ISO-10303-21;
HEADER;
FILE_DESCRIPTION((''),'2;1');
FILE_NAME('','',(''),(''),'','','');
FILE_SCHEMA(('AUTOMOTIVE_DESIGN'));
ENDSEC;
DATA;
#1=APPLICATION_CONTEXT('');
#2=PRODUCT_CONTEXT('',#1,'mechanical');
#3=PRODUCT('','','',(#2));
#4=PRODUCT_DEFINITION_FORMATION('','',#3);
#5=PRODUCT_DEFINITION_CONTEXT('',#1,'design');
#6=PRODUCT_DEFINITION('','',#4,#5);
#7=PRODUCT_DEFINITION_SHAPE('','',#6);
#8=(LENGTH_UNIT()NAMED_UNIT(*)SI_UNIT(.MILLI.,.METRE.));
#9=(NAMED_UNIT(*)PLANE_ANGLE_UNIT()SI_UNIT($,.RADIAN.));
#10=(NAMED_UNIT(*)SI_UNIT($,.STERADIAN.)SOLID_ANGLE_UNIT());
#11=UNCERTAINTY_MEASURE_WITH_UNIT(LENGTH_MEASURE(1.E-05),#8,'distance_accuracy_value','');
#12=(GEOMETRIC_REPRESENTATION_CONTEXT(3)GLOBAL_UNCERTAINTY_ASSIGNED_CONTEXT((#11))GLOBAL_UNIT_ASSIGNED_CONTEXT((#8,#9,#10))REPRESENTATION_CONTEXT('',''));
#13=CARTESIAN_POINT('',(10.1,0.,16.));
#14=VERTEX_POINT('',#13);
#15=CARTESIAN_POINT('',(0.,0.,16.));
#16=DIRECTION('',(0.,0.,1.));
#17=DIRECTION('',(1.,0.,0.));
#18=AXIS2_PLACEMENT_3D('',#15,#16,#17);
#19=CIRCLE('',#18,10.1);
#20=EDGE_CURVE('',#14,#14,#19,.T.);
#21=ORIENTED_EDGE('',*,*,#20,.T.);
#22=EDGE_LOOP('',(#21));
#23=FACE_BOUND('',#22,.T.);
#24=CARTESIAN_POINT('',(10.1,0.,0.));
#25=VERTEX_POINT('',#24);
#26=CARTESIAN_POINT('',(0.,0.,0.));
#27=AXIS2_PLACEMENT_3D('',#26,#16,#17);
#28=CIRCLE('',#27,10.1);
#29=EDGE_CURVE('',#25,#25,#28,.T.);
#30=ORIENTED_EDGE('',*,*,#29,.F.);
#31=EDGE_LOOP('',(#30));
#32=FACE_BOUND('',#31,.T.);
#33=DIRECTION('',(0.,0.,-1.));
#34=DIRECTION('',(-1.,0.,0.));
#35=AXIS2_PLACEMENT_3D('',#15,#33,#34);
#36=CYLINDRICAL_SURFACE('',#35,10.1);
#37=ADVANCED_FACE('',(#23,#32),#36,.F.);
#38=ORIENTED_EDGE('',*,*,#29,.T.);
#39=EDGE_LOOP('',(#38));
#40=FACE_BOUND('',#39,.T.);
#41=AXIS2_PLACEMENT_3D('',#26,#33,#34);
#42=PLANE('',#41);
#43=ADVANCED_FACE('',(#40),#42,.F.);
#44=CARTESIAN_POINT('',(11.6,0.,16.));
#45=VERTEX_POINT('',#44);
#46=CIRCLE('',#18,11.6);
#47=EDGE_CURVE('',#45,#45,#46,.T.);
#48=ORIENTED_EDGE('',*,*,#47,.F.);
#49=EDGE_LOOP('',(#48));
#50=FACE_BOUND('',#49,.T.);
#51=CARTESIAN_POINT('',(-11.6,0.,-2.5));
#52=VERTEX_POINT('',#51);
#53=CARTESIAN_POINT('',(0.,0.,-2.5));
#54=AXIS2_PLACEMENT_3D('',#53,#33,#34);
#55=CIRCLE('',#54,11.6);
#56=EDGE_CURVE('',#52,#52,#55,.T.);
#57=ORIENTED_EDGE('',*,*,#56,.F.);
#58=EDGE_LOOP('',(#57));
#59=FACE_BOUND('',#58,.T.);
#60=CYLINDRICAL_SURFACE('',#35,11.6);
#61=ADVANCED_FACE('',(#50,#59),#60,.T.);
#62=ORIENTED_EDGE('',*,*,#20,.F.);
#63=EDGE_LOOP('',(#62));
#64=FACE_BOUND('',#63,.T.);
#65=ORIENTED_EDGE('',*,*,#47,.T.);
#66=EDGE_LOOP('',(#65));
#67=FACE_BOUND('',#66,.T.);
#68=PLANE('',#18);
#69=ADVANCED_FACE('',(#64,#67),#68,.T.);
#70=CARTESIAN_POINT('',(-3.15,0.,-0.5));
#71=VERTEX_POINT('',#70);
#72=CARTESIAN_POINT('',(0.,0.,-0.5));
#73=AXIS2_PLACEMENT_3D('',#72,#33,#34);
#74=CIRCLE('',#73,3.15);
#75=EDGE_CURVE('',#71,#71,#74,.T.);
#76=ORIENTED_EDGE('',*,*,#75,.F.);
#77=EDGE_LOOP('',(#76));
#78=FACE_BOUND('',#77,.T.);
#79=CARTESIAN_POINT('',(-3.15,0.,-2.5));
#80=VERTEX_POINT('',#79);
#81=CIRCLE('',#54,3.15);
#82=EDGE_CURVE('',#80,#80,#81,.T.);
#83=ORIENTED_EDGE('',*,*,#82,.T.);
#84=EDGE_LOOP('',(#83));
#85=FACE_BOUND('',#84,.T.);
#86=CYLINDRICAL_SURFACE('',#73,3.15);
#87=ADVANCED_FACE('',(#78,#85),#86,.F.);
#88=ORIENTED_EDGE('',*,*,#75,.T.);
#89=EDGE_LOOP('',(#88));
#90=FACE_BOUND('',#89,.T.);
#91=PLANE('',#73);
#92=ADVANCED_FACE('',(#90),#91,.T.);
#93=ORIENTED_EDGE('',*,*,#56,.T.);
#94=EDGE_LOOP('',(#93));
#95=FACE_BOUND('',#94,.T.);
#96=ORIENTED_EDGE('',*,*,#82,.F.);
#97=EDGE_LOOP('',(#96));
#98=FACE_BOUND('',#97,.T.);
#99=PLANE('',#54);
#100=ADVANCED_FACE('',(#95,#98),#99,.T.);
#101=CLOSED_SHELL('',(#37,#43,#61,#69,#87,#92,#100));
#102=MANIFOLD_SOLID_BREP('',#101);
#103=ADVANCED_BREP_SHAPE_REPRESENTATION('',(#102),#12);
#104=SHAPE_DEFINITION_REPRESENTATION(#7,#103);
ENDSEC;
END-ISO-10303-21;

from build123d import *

# Parameters (mm, degrees)
CROQUIS1_R              = 11.6
CROQUIS1_R_2            = 10.1
SALIENTE_EXTRUIR1_DEPTH = 16
SALIENTE_EXTRUIR2_START = 2.5
CROQUIS2_R              = 11.6
SALIENTE_EXTRUIR2_DEPTH = 2.5
CROQUIS3_R              = 3.15
CORTAR_EXTRUIR1_DEPTH   = 2


with BuildPart() as part:
    # Croquis1 → Saliente-Extruir1 (new body)
    with BuildSketch(Plane.XY):
        Circle(CROQUIS1_R)
        Circle(CROQUIS1_R_2, mode=Mode.SUBTRACT)
    extrude(amount=SALIENTE_EXTRUIR1_DEPTH)

    # Croquis2 → Saliente-Extruir2 (add)
    with BuildSketch(Plane(origin=(0, 0, 0), x_dir=(-1, 0, 0), z_dir=(0, 0, -1)).offset(SALIENTE_EXTRUIR2_START)):
        Circle(CROQUIS2_R)
    extrude(amount=-SALIENTE_EXTRUIR2_DEPTH)

    # Croquis3 → Cortar-Extruir1 (cut)
    with BuildSketch(Plane(origin=(0, 0, -2.5), x_dir=(-1, 0, 0), z_dir=(0, 0, -1))):
        Circle(CROQUIS3_R)
    extrude(amount=-CORTAR_EXTRUIR1_DEPTH, mode=Mode.SUBTRACT)


solid = part.part
